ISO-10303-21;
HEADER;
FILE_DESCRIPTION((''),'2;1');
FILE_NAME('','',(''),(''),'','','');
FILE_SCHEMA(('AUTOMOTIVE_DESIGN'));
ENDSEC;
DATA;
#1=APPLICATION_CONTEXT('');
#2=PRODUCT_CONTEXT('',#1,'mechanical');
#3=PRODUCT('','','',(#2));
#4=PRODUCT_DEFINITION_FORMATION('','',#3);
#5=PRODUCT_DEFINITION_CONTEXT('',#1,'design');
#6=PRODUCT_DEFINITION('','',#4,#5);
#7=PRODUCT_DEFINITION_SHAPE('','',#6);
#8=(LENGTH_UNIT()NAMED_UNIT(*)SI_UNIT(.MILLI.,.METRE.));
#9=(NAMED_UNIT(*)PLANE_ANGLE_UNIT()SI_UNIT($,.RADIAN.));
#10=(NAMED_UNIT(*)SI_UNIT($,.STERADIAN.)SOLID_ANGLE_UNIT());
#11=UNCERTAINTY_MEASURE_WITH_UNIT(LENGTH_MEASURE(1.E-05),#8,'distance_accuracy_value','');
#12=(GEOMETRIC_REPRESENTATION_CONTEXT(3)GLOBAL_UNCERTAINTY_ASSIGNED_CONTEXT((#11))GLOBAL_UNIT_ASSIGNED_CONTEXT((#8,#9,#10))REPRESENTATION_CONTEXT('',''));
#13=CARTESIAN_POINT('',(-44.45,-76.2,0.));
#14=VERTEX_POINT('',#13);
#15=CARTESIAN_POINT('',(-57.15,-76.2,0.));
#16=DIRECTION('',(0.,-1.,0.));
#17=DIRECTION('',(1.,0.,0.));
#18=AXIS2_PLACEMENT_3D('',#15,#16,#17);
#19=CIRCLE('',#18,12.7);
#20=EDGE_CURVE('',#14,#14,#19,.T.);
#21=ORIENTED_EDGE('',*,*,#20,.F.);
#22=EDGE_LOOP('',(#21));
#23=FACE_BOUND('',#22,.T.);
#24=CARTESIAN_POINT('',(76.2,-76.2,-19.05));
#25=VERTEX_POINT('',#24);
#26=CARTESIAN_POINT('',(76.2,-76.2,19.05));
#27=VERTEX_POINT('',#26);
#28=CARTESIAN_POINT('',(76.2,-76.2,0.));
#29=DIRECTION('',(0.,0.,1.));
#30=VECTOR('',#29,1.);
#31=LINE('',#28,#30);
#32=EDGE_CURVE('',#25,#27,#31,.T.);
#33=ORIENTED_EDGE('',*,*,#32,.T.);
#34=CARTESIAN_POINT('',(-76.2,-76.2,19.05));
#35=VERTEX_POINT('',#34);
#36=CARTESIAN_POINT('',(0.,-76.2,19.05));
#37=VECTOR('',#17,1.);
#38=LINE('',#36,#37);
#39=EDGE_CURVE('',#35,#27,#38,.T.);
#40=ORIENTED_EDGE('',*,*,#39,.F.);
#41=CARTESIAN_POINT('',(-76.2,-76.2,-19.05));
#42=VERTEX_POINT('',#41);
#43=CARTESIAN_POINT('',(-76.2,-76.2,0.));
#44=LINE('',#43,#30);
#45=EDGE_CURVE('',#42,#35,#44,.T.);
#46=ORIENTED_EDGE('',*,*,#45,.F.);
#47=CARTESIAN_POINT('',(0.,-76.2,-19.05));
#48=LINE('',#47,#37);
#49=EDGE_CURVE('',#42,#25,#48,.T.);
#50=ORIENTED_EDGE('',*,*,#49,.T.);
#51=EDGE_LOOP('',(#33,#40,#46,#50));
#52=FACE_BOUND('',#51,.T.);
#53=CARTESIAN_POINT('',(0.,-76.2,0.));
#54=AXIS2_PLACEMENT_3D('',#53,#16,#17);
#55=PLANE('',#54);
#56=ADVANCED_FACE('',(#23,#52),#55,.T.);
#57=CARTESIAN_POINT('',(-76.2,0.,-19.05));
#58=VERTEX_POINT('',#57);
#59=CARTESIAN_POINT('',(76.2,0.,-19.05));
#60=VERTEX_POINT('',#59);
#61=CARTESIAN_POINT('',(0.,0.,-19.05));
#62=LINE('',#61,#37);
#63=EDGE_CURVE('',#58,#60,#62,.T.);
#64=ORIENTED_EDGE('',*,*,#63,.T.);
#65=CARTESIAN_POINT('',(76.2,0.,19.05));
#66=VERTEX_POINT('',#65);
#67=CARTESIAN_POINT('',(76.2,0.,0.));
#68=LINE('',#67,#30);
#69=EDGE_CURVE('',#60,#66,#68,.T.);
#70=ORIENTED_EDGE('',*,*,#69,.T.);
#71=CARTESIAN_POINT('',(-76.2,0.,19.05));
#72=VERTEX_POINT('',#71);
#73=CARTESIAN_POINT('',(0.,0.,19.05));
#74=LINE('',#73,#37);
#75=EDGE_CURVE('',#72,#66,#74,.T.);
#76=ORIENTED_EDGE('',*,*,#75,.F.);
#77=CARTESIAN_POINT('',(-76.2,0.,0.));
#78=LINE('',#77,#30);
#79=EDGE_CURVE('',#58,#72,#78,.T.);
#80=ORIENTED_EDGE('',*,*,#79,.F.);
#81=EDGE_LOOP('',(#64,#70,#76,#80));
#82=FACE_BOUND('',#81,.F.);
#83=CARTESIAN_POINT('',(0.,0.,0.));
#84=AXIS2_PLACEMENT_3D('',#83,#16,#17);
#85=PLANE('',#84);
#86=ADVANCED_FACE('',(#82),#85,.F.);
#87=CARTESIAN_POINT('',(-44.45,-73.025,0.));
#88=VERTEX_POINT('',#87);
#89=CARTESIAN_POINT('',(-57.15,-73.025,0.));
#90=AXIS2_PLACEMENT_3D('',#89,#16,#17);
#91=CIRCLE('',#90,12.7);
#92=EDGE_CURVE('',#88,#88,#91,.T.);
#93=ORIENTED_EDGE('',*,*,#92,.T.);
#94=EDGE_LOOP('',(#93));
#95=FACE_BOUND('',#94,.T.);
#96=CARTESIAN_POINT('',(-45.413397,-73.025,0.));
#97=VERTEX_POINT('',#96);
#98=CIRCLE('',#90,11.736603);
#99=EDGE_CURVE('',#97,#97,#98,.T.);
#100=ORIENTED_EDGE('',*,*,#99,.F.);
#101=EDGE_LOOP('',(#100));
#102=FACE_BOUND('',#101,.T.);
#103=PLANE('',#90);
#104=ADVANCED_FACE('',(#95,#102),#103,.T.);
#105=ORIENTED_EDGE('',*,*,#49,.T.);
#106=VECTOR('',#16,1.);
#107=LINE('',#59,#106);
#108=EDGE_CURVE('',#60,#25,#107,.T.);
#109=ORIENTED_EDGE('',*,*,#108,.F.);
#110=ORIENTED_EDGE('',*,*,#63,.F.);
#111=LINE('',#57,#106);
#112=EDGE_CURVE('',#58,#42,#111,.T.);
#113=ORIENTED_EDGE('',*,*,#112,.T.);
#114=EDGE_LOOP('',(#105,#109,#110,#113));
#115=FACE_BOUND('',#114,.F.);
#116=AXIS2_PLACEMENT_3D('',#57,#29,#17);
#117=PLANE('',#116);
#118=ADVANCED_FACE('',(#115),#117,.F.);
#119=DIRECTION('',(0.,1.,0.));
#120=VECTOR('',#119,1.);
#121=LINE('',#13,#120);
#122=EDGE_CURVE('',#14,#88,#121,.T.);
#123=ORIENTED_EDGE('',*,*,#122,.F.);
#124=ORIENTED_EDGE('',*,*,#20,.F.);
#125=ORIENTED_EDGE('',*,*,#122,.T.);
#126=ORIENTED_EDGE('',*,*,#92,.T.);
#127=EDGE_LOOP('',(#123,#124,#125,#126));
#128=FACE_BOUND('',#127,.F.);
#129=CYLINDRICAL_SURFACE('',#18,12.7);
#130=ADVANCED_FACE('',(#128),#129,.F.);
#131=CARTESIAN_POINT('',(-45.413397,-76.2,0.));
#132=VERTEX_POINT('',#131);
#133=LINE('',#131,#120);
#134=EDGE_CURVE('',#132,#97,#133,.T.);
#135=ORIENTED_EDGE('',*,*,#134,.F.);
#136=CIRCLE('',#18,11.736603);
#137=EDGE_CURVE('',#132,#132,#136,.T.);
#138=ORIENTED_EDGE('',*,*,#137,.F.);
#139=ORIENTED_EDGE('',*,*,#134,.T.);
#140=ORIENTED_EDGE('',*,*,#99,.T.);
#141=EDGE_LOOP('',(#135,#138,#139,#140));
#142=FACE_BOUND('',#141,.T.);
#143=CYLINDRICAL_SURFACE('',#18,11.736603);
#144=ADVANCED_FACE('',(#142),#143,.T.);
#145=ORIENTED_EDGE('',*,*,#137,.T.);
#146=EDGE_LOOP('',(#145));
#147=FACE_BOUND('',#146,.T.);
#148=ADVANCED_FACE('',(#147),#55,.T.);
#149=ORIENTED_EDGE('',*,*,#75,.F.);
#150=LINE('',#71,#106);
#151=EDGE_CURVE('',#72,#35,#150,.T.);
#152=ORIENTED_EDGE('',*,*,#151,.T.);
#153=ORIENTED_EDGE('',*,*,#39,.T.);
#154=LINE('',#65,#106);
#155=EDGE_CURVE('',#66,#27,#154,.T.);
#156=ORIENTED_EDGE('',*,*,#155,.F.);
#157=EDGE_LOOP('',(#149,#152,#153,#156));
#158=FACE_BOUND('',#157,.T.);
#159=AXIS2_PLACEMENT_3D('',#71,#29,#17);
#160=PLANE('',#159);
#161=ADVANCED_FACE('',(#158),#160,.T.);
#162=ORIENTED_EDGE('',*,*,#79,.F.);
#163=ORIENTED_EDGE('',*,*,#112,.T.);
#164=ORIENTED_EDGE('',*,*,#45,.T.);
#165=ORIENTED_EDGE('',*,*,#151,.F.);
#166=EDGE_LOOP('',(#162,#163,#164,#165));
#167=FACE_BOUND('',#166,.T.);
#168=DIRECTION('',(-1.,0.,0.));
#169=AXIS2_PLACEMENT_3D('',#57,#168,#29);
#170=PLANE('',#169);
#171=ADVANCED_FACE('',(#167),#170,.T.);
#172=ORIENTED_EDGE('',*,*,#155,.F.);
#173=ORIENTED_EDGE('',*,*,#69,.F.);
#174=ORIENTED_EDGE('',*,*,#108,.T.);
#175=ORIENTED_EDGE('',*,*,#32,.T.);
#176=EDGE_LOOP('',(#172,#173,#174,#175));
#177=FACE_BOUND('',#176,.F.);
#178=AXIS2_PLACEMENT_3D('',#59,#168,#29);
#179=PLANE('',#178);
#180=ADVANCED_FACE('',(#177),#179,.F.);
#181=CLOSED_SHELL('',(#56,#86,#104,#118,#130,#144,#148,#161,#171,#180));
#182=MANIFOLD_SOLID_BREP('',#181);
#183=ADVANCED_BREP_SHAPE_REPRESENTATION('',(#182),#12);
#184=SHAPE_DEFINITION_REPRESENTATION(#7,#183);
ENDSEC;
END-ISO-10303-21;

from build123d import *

# Parameters (mm, degrees)
F0_W     = 152.4
F0_H     = 38.1
F1_DEPTH = 76.2
F2_R     = 12.7
F2_R_2   = 11.736603
F3_DEPTH = 3.175


with BuildPart() as f1:
    # F0 (on Front) → F1 (new body)
    with BuildSketch(Plane.XZ):
        Rectangle(F0_W, F0_H)
    extrude(amount=F1_DEPTH)

    # F2 (on face) → F3 (cut)
    with BuildSketch(Plane.XZ.offset(76.2)):
        with Locations((-57.15, 0)):
            Circle(F2_R)
        with Locations((-57.15, 0)):
            Circle(F2_R_2, mode=Mode.SUBTRACT)
    extrude(amount=-F3_DEPTH, mode=Mode.SUBTRACT)


solid = f1.part
